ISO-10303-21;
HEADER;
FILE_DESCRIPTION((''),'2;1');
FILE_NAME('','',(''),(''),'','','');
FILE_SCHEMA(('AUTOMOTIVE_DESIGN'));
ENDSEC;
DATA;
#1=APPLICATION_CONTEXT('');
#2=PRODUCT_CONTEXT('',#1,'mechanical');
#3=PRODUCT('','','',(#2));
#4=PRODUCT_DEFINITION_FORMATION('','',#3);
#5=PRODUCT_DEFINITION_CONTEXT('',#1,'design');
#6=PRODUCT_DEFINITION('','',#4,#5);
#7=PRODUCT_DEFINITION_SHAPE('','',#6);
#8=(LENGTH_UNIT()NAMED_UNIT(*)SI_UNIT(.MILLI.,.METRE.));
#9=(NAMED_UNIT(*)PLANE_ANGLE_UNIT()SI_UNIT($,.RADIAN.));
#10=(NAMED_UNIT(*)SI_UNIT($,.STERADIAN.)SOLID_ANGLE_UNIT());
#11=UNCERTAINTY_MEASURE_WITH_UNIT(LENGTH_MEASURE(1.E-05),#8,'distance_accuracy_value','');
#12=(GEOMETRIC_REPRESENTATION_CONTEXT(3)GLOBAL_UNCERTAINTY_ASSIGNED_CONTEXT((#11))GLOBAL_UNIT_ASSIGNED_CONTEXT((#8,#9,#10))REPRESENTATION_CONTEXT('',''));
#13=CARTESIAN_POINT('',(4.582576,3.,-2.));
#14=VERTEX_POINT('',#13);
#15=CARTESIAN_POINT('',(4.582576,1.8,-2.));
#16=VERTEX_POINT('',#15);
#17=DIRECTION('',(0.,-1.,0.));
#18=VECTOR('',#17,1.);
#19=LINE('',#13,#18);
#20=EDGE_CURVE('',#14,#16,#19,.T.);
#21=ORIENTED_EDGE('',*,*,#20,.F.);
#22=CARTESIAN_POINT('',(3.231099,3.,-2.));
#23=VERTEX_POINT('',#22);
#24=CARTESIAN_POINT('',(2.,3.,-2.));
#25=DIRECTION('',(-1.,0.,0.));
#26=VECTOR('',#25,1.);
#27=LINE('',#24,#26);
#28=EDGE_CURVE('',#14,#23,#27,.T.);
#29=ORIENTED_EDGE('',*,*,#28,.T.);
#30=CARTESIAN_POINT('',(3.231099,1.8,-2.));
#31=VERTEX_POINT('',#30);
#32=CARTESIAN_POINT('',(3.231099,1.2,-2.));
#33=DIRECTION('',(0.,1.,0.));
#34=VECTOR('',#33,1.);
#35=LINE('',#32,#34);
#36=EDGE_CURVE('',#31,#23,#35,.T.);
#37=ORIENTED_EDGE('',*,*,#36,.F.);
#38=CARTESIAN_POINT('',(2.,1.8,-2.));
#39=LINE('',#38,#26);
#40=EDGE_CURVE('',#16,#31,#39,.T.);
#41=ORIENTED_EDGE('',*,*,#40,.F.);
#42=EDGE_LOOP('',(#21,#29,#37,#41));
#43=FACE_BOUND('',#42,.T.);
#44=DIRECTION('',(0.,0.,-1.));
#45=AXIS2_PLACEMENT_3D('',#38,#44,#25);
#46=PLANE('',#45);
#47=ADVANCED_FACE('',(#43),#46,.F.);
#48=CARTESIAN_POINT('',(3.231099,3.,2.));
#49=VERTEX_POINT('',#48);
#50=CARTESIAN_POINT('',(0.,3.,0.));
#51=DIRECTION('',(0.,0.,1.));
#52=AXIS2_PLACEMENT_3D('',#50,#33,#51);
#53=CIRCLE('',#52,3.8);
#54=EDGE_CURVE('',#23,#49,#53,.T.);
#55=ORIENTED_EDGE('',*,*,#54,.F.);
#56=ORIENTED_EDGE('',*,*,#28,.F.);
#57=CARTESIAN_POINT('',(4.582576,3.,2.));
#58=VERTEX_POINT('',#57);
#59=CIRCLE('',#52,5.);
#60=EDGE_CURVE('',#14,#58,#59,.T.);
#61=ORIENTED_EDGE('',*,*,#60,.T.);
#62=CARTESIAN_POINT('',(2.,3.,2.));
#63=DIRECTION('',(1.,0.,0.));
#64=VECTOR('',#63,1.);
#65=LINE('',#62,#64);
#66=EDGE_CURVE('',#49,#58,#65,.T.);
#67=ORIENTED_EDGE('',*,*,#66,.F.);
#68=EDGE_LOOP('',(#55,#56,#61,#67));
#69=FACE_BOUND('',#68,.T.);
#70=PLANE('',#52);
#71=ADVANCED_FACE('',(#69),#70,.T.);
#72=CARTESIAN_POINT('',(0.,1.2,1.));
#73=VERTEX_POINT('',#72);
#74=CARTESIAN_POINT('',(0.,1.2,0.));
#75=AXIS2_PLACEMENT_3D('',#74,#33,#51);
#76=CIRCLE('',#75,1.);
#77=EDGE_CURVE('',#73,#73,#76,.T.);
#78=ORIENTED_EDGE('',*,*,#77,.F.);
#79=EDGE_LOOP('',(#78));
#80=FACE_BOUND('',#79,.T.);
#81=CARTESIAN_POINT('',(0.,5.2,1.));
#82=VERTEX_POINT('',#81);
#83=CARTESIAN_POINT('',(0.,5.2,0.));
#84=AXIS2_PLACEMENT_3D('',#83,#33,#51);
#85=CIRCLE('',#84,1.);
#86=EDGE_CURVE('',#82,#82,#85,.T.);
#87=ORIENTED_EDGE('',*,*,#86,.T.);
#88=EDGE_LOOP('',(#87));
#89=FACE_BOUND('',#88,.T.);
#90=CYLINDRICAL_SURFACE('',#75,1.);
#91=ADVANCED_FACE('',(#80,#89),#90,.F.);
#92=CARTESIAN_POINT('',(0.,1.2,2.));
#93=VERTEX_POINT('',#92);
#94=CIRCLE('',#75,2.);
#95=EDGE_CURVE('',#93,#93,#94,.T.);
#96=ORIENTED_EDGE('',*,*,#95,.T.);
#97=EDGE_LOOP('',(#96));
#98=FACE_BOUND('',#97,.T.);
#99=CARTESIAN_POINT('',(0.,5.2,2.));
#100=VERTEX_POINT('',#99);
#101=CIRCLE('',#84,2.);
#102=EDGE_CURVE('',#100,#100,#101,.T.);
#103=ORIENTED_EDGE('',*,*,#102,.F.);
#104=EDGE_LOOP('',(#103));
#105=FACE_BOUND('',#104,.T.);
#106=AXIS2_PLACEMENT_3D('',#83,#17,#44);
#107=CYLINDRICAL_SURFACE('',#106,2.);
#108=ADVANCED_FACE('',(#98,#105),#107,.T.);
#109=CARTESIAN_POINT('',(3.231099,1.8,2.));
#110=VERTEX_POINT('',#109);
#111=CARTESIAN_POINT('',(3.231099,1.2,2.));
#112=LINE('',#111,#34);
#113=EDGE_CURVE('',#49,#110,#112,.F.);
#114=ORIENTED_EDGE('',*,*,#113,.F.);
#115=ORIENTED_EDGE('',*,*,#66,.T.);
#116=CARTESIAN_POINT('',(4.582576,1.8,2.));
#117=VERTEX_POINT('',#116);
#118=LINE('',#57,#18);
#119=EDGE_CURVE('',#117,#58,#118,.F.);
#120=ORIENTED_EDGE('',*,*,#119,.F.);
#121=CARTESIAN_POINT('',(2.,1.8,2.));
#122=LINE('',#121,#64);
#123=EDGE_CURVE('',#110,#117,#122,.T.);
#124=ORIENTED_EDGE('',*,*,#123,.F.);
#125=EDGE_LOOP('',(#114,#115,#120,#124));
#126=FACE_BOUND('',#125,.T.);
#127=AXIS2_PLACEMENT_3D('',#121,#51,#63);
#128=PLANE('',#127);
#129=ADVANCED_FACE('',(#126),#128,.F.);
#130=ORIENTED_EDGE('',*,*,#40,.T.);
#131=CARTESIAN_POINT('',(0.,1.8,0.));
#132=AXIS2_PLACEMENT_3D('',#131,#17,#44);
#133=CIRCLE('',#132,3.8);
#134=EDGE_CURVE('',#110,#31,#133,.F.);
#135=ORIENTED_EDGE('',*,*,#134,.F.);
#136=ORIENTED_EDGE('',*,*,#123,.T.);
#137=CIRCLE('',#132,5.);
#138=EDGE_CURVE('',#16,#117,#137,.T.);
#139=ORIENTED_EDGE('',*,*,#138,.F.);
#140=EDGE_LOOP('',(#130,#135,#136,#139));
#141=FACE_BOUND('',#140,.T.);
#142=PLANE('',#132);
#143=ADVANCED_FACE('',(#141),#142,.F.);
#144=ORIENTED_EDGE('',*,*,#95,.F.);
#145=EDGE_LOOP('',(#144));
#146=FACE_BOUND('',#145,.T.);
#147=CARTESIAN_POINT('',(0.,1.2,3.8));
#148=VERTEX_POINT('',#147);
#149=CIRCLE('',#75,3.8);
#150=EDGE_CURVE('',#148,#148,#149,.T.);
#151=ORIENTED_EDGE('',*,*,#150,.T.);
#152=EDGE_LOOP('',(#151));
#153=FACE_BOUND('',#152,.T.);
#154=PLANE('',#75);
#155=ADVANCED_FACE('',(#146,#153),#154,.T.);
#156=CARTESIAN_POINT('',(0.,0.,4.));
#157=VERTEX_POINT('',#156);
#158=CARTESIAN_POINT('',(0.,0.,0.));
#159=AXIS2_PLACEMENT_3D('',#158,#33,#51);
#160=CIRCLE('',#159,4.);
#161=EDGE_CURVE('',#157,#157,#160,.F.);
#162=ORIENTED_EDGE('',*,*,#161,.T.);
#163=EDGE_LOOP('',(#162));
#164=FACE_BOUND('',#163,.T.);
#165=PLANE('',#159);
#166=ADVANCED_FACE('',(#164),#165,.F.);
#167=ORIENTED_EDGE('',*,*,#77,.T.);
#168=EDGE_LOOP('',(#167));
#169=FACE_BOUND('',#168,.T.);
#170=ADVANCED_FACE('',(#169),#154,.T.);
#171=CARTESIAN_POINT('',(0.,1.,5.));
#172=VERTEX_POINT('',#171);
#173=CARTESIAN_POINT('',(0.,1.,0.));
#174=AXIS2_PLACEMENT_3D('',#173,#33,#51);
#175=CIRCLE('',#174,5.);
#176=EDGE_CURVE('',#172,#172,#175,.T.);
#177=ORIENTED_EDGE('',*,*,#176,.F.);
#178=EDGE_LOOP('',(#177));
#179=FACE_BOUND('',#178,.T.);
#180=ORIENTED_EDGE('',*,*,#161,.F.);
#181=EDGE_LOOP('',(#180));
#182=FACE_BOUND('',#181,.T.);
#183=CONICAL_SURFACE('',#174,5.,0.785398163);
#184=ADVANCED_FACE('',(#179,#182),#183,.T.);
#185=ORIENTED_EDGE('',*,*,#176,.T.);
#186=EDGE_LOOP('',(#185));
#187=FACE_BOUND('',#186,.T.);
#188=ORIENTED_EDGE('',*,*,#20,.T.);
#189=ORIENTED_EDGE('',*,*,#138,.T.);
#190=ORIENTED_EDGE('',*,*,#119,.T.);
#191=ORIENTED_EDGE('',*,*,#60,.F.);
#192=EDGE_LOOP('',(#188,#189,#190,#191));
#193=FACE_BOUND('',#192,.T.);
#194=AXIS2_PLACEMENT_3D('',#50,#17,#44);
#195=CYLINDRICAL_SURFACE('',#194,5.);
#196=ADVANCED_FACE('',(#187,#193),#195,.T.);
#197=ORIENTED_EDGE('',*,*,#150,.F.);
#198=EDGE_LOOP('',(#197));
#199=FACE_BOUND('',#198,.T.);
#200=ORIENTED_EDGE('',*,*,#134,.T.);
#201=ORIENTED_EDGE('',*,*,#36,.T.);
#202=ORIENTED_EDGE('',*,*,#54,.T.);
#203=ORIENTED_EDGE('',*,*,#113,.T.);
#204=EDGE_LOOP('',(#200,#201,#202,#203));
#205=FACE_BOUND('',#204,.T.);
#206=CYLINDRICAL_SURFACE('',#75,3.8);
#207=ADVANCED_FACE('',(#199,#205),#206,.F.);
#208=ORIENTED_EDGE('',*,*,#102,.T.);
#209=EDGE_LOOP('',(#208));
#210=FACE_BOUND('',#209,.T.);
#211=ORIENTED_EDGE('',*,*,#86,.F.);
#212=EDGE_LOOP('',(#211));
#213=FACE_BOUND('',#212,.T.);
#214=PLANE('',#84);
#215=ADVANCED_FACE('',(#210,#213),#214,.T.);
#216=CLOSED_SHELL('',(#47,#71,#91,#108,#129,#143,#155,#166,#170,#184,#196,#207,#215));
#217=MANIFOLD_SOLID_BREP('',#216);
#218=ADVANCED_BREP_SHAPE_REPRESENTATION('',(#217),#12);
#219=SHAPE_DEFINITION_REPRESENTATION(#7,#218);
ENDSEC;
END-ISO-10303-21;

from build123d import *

# Parameters (mm, degrees)
SKETCH1_R           = 5
BOSS_EXTRUDE1_DEPTH = 3
SKETCH3_R           = 3.8
CUT_EXTRUDE1_DEPTH  = 1.8
SKETCH4_R           = 2
BOSS_EXTRUDE2_DEPTH = 4
SKETCH5_R           = 1
CUT_EXTRUDE2_DEPTH  = 4
SKETCH6_W           = 4
SKETCH6_H           = 4
CUT_EXTRUDE3_DEPTH  = 1.2
CHAMFER1_SIZE       = 1


with BuildPart() as part:
    # Sketch1 → Boss-Extrude1 (new body)
    with BuildSketch(Plane(origin=(0, 0, 0), x_dir=(1, 0, 0), z_dir=(0, 1, 0))):
        Circle(SKETCH1_R)
    extrude(amount=BOSS_EXTRUDE1_DEPTH)

    # Sketch3 → Cut-Extrude1 (cut)
    with BuildSketch(Plane(origin=(0, 3, 0), x_dir=(1, 0, 0), z_dir=(0, 1, 0))):
        Circle(SKETCH3_R)
    extrude(amount=-CUT_EXTRUDE1_DEPTH, mode=Mode.SUBTRACT)

    # Sketch4 → Boss-Extrude2 (add)
    with BuildSketch(Plane(origin=(0, 1.2, 0), x_dir=(1, 0, 0), z_dir=(0, 1, 0))):
        Circle(SKETCH4_R)
    extrude(amount=BOSS_EXTRUDE2_DEPTH)

    # Sketch5 → Cut-Extrude2 (cut)
    with BuildSketch(Plane(origin=(0, 5.2, 0), x_dir=(1, 0, 0), z_dir=(0, 1, 0))):
        Circle(SKETCH5_R)
    extrude(amount=-CUT_EXTRUDE2_DEPTH, mode=Mode.SUBTRACT)

    # Sketch6 → Cut-Extrude3 (cut)
    with BuildSketch(Plane(origin=(0, 3, 0), x_dir=(1, 0, 0), z_dir=(0, 1, 0))):
        with Locations((4, 0)):
            Rectangle(SKETCH6_W, SKETCH6_H)
    extrude(amount=-CUT_EXTRUDE3_DEPTH, mode=Mode.SUBTRACT)

    # Chamfer1
    chamfer1_edges = [part.edges().sort_by_distance(p)[0] for p in [
        (-5, 0, 0),
    ]]
    chamfer(chamfer1_edges, length=CHAMFER1_SIZE)


solid = part.part
